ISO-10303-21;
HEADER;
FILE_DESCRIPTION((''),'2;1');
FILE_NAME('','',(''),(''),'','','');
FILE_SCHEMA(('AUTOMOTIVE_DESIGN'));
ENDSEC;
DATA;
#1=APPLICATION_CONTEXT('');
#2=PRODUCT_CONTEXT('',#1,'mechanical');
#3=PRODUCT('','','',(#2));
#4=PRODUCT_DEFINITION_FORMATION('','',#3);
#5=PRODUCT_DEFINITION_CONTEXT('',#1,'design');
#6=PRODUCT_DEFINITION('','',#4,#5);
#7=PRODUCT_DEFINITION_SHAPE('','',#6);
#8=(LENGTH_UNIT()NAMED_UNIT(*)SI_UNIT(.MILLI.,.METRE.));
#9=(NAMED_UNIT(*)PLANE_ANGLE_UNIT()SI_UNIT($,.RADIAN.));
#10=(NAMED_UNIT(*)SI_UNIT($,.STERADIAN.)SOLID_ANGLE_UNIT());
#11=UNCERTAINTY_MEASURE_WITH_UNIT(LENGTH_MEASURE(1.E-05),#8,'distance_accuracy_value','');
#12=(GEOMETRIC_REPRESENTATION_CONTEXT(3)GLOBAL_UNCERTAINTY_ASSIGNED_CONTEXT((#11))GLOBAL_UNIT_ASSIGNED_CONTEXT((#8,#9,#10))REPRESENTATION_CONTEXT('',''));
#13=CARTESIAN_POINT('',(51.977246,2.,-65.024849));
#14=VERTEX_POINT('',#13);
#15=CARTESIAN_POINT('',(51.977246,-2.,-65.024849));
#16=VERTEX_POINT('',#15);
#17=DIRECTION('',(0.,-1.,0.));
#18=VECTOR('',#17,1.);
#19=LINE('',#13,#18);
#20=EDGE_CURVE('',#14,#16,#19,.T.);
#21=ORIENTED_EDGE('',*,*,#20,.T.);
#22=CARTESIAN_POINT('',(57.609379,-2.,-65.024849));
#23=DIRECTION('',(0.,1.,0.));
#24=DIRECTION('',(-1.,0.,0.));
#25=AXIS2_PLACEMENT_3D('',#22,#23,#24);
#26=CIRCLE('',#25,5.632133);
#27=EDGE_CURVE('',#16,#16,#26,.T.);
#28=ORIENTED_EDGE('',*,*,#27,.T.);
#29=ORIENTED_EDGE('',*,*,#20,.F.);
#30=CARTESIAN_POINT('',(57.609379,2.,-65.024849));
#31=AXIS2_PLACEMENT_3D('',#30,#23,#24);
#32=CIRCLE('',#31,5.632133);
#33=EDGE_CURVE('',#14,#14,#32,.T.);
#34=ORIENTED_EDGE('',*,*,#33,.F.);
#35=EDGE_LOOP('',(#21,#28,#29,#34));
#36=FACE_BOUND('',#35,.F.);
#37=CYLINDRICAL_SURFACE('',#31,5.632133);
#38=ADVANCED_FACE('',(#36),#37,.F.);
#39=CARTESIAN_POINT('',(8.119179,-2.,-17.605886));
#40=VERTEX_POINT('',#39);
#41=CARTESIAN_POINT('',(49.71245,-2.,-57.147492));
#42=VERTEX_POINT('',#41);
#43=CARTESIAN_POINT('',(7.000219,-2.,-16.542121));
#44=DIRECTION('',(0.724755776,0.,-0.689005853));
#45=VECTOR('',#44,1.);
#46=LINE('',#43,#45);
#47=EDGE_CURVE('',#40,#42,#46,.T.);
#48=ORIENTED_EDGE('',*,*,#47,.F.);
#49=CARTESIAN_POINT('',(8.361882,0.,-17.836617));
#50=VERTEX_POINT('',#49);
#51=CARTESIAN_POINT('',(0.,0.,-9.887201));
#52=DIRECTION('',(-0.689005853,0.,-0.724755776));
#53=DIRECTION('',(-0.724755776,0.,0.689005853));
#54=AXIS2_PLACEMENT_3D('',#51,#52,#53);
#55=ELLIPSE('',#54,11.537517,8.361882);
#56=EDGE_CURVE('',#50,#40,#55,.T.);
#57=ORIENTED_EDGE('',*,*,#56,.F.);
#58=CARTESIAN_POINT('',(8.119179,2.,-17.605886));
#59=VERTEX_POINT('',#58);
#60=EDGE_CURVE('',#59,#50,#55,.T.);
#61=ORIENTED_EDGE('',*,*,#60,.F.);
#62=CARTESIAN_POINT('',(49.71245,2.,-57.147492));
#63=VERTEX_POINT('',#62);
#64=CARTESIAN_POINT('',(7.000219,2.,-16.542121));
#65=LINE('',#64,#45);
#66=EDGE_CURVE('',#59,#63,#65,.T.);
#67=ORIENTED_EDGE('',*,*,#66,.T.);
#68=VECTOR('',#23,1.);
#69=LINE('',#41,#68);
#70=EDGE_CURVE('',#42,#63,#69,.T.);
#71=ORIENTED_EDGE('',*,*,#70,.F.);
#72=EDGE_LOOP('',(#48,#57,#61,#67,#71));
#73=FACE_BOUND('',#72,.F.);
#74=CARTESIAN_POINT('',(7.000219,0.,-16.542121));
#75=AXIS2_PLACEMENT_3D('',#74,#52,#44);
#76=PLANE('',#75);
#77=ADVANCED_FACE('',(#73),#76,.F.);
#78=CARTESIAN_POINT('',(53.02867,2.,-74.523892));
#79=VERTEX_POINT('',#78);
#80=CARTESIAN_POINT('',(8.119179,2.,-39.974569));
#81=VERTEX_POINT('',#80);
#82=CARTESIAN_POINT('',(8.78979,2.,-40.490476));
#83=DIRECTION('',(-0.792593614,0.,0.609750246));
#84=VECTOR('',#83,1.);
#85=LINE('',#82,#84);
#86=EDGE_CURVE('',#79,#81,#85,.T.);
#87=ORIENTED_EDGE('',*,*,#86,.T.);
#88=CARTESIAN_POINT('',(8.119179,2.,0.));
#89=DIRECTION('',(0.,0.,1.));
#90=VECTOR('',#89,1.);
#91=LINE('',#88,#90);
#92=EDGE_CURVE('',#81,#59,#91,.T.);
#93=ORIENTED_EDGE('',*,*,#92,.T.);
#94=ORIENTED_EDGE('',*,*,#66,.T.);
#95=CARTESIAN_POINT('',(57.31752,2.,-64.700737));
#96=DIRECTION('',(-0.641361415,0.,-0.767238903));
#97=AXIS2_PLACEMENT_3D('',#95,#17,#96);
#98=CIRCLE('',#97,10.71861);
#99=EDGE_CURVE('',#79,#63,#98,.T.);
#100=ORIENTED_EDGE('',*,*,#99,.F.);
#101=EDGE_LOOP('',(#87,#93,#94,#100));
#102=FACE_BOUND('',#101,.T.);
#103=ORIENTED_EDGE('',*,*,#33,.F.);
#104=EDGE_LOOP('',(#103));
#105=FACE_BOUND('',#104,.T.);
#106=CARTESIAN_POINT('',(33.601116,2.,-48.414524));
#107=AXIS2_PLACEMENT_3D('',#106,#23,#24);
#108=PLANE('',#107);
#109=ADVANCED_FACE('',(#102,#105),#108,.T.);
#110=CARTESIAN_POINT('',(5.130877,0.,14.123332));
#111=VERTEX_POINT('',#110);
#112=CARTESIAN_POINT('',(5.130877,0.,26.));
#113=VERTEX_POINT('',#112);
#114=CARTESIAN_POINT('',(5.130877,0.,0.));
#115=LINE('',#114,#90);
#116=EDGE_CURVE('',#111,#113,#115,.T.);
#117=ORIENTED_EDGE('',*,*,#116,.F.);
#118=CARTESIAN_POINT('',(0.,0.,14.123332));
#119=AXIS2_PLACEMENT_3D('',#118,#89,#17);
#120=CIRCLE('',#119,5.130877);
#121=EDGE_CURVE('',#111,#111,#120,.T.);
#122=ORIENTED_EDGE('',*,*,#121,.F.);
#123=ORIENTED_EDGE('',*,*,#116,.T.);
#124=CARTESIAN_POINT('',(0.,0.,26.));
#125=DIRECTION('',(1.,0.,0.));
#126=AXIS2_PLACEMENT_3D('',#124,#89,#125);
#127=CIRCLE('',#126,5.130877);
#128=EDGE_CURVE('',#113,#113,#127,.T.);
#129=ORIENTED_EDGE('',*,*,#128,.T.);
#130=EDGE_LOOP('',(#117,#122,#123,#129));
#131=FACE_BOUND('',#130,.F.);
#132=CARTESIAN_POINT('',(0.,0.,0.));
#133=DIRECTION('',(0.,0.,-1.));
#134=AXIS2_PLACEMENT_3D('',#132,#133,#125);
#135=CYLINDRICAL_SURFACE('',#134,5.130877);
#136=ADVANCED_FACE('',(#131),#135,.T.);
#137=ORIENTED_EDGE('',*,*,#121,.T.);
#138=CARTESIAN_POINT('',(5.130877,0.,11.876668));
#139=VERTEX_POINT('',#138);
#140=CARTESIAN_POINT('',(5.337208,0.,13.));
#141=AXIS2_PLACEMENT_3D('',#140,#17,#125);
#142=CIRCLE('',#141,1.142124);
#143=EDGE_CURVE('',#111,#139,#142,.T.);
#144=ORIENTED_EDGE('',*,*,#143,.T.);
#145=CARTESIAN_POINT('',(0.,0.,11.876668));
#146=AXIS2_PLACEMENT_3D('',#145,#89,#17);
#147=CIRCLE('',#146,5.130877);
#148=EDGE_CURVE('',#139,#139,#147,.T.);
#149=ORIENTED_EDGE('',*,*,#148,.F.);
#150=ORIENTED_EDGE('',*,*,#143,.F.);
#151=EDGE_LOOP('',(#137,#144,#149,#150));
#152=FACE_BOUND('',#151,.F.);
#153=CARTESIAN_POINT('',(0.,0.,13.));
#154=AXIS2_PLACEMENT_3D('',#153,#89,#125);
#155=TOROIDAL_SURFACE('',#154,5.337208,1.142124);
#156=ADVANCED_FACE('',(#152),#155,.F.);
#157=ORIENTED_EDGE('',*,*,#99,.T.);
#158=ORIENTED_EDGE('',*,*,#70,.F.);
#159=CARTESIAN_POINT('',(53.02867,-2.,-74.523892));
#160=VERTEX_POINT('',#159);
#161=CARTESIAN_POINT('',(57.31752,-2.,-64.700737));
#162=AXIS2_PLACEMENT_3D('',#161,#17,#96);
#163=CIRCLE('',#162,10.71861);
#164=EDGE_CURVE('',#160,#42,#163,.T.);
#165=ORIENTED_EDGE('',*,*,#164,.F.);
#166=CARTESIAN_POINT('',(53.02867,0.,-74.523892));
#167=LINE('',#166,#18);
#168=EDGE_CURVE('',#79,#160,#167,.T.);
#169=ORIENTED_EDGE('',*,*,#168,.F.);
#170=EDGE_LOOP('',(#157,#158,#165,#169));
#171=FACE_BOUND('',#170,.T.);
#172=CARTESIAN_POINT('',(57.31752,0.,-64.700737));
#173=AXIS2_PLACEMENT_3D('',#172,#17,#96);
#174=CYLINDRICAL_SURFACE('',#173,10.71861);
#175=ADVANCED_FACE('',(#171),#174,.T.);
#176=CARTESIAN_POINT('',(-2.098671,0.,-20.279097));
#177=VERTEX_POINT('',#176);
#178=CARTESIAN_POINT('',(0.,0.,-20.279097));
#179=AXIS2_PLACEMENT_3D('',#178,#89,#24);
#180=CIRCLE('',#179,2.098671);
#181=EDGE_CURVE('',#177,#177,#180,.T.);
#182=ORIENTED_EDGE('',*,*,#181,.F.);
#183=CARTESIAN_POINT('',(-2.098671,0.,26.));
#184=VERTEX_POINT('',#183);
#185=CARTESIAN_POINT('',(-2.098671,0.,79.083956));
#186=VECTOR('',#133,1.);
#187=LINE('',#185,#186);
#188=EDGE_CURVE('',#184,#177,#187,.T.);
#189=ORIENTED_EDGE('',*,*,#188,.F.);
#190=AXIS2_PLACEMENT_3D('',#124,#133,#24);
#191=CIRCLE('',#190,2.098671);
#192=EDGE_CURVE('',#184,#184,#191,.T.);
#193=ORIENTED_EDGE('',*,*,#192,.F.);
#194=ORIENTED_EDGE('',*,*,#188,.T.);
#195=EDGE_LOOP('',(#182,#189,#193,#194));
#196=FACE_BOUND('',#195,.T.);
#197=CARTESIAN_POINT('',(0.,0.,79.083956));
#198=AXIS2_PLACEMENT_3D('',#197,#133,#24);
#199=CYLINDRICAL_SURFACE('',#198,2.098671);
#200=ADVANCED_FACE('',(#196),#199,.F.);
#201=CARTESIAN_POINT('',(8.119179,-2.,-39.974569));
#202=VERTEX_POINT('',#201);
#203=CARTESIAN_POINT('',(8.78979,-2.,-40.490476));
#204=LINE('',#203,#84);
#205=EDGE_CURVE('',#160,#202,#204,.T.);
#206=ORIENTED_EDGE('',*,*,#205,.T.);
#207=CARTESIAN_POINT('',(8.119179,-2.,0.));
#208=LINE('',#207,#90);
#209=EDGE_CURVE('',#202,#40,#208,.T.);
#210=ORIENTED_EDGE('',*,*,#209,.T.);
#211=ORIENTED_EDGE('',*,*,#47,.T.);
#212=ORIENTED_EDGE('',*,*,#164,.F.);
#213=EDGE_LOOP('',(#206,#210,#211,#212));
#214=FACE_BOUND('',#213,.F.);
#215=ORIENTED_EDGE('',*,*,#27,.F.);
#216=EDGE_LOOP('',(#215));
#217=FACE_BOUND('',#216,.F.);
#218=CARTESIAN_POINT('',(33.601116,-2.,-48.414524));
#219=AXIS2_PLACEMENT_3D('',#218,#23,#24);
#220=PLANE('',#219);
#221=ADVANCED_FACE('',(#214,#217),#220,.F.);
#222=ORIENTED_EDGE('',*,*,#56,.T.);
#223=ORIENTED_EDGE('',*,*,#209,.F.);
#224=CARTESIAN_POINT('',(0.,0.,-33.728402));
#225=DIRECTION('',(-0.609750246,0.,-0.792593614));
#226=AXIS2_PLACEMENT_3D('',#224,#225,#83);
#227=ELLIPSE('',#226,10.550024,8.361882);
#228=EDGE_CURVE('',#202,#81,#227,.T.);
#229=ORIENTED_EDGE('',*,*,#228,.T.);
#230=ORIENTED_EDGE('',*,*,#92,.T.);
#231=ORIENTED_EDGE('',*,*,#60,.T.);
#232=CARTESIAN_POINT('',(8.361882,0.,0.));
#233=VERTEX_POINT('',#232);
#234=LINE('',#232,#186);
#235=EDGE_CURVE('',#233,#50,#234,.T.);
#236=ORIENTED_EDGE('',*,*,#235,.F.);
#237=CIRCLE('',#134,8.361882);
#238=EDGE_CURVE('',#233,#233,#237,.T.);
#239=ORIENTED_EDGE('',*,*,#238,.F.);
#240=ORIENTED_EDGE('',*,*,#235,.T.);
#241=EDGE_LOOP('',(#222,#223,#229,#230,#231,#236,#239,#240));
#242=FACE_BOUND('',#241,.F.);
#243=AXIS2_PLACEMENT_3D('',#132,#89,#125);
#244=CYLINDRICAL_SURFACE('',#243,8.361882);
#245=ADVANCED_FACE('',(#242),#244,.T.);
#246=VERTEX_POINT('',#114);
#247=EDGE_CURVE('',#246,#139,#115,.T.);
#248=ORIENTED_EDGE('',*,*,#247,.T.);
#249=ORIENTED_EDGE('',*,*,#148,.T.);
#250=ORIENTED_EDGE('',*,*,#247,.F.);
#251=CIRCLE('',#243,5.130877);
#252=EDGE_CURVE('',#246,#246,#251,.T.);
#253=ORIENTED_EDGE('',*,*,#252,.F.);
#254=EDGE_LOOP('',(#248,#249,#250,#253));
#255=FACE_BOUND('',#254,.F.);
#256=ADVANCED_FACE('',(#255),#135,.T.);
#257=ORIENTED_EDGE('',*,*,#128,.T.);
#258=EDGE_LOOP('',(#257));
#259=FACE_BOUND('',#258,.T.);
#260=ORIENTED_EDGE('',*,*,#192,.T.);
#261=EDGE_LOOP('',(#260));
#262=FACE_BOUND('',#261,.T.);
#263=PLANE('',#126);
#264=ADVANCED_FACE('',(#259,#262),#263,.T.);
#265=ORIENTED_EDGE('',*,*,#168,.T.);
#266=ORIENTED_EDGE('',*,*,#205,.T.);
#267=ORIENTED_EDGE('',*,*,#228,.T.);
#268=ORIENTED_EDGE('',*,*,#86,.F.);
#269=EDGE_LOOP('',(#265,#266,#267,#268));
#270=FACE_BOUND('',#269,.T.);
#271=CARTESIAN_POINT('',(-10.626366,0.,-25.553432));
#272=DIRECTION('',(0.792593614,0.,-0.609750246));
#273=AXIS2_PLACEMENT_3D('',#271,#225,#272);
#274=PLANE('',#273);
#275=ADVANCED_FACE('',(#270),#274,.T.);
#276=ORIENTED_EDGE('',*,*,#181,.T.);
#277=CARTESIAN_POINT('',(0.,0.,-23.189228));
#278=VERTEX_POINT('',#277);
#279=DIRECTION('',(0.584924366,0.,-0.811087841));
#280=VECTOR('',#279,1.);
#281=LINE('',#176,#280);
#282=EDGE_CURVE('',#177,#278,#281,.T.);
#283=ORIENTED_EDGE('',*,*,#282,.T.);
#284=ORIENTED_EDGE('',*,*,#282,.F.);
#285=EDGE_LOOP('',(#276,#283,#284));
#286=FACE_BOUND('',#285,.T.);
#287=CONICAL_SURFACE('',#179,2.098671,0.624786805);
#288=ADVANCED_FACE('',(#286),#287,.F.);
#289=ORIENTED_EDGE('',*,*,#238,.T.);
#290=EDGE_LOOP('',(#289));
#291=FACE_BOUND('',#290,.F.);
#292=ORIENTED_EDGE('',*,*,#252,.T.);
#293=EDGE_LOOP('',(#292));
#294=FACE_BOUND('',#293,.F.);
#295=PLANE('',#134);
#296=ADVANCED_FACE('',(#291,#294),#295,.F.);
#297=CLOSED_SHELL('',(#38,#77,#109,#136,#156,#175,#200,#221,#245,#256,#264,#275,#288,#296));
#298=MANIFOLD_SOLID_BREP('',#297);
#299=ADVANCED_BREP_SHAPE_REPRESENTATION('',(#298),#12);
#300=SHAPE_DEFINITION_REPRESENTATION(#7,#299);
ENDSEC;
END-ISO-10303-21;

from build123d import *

# Parameters (mm, degrees)
SKETCH_R        = 5.130877
PAD_DEPTH       = 26
SKETCH002_R     = 1.142124
SKETCH003_R     = 8.361882
PAD001_DEPTH    = 40
PAD002_DEPTH    = 2
POCKET_DEPTH    = 10.5
SKETCH007_R     = 5.632133
POCKET001_DEPTH = 5


with BuildPart() as part:
    # Sketch → Pad (new body)
    with BuildSketch(Plane.XY):
        Circle(SKETCH_R)
    extrude(amount=PAD_DEPTH)

    # Sketch002 (on DatumPlane) → Groove (revolve, cut)
    with BuildSketch(Plane(origin=(0, 0, 13), x_dir=(1, 0, 0), z_dir=(0, -1, 0))):
        with Locations((5.337208, 0)):
            Circle(SKETCH002_R)
    revolve(axis=Axis((0, 0, 13), (0, 0, 1)), mode=Mode.SUBTRACT)

    # Sketch003 (on Face2 of Groove) → Pad001 (join)
    with BuildSketch(Plane(origin=(0, 0, 0), x_dir=(1, 0, 0), z_dir=(0, 0, -1))):
        Circle(SKETCH003_R)
    extrude(amount=PAD001_DEPTH)

    # Sketch004 (on DatumPlane) → Groove001 (revolve, cut)
    with BuildSketch(Plane(origin=(0, 0, 13), x_dir=(1, 0, 0), z_dir=(0, -1, 0))):
        Polygon((-2.098671, 66.083956), (-2.098671, -33.279097), (0, -36.189228), (0, -33.279097), (0, 66.139438), (0, 66.083956), align=None)
    revolve(axis=Axis((0, 0, 13), (0, 0, 1)), mode=Mode.SUBTRACT)

    # Sketch005 (on DatumPlane) → Pad002 (join, symmetric)
    with BuildSketch(Plane(origin=(0, 0, 13), x_dir=(1, 0, 0), z_dir=(0, -1, 0))):
        with BuildLine():
            Line((7.000219, -29.542121), (49.71245, -70.147492))
            ThreePointArc((50.443017, -85.924472), (68.024657, -77.204934), (49.71245, -70.147492))
            Line((7.000219, -52.373556), (50.443017, -85.924472))
            Line((7.000219, -29.542121), (7.000219, -52.373556))
        make_face()
    extrude(amount=PAD002_DEPTH, both=True)

    # Sketch006 (on DatumPlane) → Pocket (cut, symmetric)
    with BuildSketch(Plane(origin=(0, 0, 13), x_dir=(1, 0, 0), z_dir=(0, -1, 0))):
        Polygon((-10.626366, -38.553432), (62.605824, -94.891693), (-10.165777, -94.891693), align=None)
    extrude(amount=POCKET_DEPTH, both=True, mode=Mode.SUBTRACT)

    # Sketch007 (on Face3 of Pocket) → Pocket001 (cut)
    with BuildSketch(Plane(origin=(0, 2, 0), x_dir=(-1, 0, 0), z_dir=(0, 1, 0))):
        with Locations((-57.609379, -65.024849)):
            Circle(SKETCH007_R)
    extrude(amount=-POCKET001_DEPTH, mode=Mode.SUBTRACT)


solid = part.part
